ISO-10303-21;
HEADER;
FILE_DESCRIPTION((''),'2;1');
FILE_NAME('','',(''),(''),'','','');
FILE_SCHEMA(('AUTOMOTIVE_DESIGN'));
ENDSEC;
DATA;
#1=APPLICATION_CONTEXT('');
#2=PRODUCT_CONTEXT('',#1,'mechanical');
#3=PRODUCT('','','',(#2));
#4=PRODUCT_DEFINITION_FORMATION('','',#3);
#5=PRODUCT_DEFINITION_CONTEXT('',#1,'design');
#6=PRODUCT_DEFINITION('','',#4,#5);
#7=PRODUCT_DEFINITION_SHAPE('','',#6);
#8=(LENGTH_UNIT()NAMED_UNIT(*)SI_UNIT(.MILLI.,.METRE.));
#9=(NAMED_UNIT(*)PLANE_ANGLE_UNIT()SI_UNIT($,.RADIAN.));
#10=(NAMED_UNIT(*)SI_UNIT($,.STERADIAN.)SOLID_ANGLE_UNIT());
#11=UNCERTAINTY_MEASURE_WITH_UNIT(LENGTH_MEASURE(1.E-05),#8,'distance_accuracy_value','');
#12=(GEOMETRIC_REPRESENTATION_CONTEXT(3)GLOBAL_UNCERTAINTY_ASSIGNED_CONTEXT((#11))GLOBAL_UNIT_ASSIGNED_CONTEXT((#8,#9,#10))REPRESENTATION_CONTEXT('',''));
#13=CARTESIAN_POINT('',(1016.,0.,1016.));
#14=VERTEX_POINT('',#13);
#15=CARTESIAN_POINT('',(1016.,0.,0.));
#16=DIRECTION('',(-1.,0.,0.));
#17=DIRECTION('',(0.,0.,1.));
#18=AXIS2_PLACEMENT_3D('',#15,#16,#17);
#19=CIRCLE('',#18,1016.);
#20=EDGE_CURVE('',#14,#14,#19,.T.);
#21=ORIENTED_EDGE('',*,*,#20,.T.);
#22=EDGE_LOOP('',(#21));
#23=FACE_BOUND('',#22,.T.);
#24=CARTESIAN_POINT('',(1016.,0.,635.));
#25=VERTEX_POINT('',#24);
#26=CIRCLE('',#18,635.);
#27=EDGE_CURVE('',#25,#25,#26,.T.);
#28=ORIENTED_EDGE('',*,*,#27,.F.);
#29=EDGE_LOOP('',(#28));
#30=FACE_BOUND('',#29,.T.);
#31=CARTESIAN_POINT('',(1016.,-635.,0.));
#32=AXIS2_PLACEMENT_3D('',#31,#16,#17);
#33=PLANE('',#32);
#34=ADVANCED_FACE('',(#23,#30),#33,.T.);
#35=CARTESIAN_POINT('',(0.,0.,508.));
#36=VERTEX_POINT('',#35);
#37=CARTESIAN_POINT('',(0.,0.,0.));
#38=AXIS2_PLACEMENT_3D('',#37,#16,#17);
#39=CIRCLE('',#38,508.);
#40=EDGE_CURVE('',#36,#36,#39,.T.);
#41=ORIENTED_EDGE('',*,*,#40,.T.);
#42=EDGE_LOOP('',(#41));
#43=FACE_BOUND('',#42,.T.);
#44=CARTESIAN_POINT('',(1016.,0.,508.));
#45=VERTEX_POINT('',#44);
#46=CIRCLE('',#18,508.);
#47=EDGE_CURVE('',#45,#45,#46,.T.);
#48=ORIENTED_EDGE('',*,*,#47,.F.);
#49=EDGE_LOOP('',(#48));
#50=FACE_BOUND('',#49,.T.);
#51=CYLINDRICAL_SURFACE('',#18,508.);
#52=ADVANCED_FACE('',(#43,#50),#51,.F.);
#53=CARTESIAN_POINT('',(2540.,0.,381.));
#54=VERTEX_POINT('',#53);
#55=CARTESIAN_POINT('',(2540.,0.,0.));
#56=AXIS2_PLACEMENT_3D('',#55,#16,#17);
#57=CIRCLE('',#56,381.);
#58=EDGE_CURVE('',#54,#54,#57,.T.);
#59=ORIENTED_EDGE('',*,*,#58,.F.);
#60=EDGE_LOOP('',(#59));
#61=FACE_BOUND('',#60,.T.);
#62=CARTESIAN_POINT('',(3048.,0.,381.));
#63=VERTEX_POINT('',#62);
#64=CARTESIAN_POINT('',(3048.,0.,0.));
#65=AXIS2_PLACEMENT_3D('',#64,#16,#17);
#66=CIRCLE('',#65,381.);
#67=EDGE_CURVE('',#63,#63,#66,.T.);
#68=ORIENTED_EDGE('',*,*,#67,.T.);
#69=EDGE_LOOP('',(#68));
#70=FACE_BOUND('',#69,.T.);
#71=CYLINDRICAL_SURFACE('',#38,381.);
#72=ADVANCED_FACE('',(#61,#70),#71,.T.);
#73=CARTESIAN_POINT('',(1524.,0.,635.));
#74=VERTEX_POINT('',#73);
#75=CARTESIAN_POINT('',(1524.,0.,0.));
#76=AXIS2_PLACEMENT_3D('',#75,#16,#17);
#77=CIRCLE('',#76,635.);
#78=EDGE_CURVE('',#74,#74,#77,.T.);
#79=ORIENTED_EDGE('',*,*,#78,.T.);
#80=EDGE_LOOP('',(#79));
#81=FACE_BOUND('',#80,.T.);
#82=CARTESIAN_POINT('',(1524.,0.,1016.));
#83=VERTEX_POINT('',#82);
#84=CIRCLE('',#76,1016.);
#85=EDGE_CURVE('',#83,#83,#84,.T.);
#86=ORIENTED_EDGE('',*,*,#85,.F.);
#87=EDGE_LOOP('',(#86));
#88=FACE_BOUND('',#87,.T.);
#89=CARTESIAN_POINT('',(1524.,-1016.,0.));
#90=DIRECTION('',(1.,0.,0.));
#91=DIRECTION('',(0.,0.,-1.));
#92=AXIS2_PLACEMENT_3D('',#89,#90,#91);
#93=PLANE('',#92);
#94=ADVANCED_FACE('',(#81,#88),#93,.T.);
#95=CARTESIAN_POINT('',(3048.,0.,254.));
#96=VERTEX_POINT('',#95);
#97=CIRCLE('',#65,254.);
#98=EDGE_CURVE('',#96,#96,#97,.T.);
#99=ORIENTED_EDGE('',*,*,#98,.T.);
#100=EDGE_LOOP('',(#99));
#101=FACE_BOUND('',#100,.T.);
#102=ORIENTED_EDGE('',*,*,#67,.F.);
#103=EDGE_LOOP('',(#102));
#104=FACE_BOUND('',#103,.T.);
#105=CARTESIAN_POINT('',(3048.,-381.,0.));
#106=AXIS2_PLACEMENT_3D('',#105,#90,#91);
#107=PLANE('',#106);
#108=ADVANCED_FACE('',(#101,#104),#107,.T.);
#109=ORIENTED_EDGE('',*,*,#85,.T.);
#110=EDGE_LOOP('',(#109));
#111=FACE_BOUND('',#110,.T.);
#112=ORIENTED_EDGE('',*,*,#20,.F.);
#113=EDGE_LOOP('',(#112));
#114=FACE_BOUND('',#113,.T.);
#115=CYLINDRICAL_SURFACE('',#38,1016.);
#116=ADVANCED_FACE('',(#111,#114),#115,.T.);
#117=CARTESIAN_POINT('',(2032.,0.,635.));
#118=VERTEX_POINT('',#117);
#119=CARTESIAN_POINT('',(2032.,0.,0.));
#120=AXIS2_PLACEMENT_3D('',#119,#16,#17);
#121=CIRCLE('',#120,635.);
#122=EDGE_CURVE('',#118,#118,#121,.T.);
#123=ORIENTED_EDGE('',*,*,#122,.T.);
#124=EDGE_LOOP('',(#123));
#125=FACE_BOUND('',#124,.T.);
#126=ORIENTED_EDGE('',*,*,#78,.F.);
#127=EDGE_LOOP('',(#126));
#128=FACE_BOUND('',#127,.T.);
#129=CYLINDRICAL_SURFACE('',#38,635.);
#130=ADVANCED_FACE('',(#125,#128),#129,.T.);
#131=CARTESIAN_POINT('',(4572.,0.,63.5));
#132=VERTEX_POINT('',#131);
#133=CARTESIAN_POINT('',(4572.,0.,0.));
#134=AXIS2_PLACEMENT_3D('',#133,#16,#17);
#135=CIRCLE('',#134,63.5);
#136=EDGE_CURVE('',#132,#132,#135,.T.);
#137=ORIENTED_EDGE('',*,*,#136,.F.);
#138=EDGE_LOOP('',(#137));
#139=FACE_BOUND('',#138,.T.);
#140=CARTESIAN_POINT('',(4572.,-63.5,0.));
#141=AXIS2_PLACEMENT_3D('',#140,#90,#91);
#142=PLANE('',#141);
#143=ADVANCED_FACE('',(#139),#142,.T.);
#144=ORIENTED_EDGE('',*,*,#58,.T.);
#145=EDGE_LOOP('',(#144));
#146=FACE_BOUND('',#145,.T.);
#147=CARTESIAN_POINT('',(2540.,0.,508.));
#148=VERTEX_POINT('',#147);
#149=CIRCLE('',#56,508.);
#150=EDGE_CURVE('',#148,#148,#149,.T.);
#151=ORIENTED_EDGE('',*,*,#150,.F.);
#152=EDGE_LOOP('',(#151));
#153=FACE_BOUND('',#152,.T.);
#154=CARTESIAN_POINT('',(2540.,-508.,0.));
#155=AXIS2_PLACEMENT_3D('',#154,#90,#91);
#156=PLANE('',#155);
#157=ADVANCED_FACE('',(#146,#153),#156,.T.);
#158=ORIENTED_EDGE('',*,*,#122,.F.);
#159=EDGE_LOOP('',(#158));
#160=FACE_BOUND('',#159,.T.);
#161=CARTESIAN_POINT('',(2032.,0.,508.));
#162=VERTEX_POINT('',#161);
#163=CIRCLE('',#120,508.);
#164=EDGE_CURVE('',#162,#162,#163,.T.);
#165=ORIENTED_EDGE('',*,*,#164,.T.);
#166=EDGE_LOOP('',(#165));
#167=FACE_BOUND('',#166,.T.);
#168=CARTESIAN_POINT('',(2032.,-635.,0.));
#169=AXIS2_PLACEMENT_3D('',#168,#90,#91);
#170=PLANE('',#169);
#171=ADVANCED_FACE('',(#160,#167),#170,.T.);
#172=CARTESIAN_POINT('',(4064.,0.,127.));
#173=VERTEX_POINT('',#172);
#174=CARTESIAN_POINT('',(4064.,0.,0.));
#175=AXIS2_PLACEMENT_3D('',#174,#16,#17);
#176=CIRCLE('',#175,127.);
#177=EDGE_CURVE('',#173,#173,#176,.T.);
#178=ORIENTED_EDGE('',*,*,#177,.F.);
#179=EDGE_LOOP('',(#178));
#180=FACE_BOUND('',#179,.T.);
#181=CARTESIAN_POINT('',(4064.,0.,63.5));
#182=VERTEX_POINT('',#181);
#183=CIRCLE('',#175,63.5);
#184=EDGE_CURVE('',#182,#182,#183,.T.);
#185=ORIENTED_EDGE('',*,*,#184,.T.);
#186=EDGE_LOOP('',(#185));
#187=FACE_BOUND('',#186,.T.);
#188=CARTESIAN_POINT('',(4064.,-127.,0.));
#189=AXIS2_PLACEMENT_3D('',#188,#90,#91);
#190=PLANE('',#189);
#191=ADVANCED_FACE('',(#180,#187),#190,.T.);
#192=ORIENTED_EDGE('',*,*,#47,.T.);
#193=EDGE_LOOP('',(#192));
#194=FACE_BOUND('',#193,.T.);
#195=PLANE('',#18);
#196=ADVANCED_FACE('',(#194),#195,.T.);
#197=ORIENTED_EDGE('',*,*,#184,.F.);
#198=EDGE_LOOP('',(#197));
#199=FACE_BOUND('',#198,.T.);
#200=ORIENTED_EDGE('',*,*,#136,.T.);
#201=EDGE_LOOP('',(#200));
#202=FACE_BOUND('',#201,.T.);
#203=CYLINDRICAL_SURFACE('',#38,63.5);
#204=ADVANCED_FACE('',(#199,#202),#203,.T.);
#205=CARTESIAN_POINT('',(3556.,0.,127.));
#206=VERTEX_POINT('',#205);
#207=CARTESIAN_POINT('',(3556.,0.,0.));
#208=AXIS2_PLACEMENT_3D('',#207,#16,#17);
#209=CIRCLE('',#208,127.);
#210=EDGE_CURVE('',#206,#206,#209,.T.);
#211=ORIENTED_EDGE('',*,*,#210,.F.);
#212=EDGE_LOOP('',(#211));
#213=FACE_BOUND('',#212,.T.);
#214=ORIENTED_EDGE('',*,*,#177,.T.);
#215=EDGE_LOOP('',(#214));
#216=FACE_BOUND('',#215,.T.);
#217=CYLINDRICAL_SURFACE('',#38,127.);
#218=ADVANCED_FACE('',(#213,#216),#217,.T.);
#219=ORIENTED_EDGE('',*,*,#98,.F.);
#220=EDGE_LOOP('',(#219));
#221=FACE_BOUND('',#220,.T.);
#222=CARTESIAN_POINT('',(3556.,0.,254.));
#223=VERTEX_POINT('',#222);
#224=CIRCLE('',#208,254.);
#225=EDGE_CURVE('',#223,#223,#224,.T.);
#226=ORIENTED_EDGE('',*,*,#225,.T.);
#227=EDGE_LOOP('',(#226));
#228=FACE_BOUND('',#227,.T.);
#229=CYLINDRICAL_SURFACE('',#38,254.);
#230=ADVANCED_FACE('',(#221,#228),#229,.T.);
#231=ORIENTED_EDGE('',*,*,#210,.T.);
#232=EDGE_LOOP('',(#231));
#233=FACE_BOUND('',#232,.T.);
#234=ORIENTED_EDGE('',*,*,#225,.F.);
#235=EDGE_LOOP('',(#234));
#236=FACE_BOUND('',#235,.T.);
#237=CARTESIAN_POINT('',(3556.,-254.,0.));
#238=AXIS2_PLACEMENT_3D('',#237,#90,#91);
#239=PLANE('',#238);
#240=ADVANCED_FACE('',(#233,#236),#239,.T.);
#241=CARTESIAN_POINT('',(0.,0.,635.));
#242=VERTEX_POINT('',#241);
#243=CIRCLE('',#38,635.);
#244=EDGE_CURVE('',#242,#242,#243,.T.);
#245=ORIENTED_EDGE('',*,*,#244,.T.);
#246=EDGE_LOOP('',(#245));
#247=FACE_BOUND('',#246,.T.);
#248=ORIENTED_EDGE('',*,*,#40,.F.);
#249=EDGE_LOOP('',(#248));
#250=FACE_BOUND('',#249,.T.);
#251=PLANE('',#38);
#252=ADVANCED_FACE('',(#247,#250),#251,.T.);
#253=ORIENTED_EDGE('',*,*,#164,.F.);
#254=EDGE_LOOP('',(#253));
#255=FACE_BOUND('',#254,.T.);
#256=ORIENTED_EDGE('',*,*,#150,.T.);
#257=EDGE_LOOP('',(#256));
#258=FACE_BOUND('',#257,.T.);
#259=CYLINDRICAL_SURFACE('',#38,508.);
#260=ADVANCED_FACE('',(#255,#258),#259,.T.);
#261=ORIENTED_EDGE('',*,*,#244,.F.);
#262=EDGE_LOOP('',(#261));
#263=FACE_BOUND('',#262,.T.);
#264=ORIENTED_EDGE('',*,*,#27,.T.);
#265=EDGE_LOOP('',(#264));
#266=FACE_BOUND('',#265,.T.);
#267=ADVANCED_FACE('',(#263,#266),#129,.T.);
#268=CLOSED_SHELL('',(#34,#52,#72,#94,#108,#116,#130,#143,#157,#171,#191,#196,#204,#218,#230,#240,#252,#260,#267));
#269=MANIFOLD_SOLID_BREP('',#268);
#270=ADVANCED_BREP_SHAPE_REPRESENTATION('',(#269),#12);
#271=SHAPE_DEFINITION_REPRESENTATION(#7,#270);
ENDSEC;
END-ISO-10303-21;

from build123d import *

# Parameters (mm, degrees)
SKETCH2_R          = 508
CUT_EXTRUDE2_DEPTH = 1016


with BuildPart() as part:
    # Sketch1 → Revolve1 (revolve)
    with BuildSketch(Plane.XY, mode=Mode.PRIVATE) as revolve1_sk:
        Polygon((0, 0), (0, -635), (1016, -635), (1016, -1016), (1524, -1016), (1524, -635), (2032, -635), (2032, -508), (2540, -508), (2540, -381), (3048, -381), (3048, -254), (3556, -254), (3556, -127), (4064, -127), (4064, -63.5), (4572, -63.5), (4572, 0), align=None)
    revolve(revolve1_sk.sketch.rotate(Axis((0, 0, 0), (1, 0, 0)), 270), axis=Axis((0, 0, 0), (1, 0, 0)))  # turned: the seam where the file's is

    # Sketch2 → Cut-Extrude2 (cut)
    with BuildSketch(Plane.ZY):
        Circle(SKETCH2_R)
    extrude(amount=-CUT_EXTRUDE2_DEPTH, mode=Mode.SUBTRACT)


solid = part.part
